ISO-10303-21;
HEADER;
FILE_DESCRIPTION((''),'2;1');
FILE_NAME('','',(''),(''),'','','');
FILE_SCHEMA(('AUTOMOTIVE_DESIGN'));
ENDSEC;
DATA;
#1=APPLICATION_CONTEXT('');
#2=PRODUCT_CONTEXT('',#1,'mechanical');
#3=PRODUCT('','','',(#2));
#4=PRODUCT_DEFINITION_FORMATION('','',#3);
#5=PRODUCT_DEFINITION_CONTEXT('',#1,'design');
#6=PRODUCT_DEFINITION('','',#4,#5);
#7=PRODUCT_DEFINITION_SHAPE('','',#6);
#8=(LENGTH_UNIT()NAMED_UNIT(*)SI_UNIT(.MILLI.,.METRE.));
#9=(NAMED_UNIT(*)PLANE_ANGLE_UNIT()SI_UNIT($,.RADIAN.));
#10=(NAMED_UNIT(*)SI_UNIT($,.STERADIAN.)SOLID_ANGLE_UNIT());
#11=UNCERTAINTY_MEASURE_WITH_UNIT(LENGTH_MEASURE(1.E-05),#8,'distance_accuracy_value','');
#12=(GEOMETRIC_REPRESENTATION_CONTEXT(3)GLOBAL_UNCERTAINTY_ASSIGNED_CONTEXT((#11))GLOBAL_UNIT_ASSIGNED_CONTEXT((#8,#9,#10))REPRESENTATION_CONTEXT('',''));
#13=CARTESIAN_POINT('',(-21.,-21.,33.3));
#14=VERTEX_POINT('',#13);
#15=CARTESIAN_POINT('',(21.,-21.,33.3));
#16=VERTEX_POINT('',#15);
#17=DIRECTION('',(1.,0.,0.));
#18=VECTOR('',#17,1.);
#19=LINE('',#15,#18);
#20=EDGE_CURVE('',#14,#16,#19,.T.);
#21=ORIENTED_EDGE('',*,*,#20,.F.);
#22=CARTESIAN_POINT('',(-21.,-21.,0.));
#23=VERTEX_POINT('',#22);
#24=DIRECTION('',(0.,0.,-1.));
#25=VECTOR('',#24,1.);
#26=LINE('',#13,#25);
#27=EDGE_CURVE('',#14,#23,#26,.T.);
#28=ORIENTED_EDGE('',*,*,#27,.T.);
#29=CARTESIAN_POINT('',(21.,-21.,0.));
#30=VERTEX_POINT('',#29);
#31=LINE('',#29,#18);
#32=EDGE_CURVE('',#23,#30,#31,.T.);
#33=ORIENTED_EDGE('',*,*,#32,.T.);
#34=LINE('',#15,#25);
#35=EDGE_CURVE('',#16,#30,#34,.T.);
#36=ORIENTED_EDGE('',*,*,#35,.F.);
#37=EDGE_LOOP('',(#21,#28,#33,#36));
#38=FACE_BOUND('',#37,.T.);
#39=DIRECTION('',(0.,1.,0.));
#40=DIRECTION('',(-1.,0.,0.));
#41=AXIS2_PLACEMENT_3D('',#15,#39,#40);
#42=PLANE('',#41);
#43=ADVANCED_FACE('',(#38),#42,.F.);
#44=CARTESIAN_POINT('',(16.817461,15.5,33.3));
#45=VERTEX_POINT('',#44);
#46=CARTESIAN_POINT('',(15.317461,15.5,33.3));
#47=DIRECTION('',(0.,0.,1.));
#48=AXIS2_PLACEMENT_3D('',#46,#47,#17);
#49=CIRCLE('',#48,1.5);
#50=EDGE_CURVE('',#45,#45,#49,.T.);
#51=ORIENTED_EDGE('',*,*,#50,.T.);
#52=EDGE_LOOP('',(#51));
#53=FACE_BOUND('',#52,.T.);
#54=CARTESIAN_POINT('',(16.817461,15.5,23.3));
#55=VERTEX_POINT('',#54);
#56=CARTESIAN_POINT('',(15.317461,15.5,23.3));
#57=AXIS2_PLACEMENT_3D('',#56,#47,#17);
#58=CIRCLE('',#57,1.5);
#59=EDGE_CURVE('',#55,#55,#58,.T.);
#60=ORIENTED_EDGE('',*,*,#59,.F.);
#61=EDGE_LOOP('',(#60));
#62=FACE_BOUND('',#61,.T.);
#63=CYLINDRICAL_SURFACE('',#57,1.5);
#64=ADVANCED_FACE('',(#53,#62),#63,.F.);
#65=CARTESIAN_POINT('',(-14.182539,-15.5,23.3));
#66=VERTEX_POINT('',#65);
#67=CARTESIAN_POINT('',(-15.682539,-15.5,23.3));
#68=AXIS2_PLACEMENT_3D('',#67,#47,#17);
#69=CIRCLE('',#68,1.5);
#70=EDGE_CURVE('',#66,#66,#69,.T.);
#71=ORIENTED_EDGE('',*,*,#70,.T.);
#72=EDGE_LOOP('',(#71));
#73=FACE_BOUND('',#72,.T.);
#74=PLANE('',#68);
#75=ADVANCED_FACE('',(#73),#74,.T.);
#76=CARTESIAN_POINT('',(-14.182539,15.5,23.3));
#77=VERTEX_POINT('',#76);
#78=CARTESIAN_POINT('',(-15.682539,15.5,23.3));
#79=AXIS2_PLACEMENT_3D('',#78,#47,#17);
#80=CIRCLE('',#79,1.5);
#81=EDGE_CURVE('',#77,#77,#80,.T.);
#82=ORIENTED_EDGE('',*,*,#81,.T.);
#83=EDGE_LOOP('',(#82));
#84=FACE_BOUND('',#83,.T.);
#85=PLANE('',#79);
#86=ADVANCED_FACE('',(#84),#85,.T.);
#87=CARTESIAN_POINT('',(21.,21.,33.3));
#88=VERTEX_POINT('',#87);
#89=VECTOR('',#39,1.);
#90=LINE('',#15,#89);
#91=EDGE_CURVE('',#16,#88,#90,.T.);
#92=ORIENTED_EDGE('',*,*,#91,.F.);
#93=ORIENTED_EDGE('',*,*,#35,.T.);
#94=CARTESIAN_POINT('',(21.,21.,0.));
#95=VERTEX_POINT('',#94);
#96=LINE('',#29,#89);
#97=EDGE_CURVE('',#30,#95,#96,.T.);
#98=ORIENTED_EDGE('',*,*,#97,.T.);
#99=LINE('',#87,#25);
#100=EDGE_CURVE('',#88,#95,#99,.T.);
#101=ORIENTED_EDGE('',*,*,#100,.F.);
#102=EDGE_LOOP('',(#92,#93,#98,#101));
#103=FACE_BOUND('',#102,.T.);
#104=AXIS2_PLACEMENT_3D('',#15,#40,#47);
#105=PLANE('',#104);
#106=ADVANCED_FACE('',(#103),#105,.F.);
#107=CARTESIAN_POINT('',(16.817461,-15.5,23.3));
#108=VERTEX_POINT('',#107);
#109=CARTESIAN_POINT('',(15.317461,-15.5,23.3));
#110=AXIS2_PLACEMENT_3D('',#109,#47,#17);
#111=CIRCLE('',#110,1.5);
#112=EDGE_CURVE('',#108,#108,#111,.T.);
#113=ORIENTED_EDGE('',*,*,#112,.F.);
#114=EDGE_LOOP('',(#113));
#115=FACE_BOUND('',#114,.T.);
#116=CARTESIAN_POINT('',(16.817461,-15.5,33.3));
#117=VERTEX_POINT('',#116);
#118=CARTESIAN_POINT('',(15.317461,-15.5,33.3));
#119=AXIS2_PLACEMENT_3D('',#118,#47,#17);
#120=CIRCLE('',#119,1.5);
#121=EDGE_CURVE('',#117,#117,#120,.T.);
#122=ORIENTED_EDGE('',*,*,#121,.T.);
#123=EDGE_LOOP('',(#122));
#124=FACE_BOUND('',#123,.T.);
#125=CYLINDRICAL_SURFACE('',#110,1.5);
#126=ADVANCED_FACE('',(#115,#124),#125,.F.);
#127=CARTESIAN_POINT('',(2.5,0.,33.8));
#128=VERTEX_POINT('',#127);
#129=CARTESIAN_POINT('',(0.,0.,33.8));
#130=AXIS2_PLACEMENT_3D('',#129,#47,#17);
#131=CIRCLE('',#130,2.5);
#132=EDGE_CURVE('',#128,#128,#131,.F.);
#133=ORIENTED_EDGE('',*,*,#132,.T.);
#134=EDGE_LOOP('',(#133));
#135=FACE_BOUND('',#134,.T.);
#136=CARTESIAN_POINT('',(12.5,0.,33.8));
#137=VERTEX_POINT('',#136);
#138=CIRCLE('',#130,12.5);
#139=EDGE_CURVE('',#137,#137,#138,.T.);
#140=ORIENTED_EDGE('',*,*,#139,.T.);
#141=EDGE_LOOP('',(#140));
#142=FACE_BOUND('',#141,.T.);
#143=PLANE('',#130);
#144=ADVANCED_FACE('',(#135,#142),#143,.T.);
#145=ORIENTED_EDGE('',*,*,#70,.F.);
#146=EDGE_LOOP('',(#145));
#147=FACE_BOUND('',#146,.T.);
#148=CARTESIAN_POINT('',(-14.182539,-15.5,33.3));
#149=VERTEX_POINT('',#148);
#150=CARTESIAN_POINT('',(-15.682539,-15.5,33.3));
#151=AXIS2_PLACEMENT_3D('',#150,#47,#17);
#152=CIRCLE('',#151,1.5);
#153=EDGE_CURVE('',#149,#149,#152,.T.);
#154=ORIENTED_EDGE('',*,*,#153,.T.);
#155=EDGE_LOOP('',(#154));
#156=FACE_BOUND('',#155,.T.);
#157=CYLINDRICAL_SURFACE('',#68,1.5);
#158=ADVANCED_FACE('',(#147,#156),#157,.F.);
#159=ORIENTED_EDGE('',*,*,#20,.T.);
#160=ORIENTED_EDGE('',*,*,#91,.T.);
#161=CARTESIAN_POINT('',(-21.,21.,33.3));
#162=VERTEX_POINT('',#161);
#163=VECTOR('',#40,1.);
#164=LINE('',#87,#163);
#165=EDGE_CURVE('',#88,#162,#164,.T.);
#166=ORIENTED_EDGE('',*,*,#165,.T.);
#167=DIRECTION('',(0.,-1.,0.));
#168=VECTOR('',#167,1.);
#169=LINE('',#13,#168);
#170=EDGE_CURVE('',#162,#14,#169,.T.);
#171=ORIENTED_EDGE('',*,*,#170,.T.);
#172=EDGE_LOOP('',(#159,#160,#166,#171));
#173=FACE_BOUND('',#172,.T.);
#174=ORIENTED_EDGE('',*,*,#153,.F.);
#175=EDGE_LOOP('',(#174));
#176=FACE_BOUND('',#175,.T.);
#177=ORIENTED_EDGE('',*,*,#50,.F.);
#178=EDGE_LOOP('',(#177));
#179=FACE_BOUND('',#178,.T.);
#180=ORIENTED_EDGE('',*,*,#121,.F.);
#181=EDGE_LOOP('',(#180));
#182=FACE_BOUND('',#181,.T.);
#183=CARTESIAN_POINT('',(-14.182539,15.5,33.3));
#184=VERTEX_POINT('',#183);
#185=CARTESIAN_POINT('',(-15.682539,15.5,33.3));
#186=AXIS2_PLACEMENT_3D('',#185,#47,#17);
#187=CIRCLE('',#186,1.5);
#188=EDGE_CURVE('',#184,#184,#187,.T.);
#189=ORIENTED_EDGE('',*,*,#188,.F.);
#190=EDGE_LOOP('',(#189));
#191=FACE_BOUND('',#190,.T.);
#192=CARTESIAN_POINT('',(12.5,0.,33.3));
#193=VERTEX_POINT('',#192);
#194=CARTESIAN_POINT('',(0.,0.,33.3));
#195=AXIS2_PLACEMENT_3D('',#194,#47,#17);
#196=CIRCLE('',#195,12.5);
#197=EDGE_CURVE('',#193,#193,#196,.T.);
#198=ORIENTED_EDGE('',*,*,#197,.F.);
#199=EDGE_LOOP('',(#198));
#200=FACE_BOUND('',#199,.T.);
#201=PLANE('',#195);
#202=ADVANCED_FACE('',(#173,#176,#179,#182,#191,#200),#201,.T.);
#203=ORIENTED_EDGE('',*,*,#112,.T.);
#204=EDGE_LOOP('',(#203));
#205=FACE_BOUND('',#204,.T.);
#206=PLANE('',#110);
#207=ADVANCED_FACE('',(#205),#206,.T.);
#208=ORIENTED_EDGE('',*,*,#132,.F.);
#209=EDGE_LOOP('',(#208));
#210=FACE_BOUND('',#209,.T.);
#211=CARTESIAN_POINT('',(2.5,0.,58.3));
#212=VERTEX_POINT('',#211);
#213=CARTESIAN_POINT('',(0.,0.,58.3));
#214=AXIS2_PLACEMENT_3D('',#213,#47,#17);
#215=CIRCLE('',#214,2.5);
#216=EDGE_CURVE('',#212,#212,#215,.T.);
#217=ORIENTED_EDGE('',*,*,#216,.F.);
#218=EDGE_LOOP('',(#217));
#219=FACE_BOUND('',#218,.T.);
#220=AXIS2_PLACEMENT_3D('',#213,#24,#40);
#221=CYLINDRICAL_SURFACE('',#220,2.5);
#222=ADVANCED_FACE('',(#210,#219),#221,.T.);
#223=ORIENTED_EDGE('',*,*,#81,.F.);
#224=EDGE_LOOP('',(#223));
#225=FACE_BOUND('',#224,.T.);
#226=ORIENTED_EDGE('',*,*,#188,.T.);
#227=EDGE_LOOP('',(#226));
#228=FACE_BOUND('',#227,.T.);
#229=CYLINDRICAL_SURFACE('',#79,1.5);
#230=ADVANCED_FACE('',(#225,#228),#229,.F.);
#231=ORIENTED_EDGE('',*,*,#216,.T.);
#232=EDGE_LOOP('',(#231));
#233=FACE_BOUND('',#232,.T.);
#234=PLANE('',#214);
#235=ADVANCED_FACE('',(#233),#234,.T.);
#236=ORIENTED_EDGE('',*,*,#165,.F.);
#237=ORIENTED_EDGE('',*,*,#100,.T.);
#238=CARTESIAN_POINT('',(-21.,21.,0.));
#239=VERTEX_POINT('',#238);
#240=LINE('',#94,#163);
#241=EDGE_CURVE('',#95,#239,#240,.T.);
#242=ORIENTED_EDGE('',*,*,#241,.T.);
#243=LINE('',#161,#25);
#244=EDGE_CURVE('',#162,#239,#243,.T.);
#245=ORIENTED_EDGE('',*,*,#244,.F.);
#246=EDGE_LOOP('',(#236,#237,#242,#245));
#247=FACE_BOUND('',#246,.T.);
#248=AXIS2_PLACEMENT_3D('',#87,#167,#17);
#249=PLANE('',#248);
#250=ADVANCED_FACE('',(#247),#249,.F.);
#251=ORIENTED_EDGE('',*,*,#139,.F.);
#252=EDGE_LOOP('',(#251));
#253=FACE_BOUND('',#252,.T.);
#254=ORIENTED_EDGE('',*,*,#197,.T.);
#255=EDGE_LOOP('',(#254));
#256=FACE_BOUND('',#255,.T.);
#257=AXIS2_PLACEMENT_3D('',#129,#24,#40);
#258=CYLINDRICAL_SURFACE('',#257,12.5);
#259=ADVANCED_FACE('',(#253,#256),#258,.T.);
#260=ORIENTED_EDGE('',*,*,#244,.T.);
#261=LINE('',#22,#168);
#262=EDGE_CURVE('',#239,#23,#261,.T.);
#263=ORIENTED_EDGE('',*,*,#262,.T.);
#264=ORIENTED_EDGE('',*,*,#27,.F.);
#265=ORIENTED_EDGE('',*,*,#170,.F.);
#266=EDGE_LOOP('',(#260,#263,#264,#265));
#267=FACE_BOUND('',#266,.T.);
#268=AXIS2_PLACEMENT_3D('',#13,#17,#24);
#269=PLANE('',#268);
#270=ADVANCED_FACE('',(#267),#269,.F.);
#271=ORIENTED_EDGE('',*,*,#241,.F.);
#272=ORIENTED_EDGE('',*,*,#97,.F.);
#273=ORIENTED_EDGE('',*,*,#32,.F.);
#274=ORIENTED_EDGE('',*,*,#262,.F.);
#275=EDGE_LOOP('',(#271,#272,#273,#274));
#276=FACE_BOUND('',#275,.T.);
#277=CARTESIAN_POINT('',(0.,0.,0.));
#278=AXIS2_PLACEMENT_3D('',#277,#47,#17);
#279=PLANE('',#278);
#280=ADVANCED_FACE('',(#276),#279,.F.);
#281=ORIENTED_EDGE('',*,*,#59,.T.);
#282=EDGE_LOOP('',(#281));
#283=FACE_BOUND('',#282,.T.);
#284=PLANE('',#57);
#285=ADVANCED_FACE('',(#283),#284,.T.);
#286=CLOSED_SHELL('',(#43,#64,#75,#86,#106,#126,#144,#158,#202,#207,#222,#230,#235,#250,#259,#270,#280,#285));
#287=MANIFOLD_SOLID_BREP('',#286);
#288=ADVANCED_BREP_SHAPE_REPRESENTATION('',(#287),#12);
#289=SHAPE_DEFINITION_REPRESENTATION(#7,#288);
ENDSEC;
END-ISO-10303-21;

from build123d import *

# Parameters (mm, degrees)
SKETCH_1_W          = 42
SKETCH_1_H          = 42
EXTRUDE_1_DEPTH     = 33.3
SKETCH_2_R          = 12.5
EXTRUDE_2_DEPTH     = 0.5
SKETCH_3_R          = 1.5
CUT_EXTRUDE_1_DEPTH = 10
SKETCH_5_R          = 2.5
EXTRUDE_3_DEPTH     = 25


with BuildPart() as part:
    # ｽｹｯﾁ1 → ﾎﾞｽ - 押し出し1 (new body)
    with BuildSketch(Plane.XY):
        Rectangle(SKETCH_1_W, SKETCH_1_H)
    extrude(amount=EXTRUDE_1_DEPTH)

    # ｽｹｯﾁ2 → ﾎﾞｽ - 押し出し2 (add)
    with BuildSketch(Plane.XY.offset(33.3)):
        Circle(SKETCH_2_R)
    extrude(amount=EXTRUDE_2_DEPTH)

    # ｽｹｯﾁ3 → ｶｯﾄ - 押し出し1 (cut)
    with BuildSketch(Plane.XY.offset(33.3)):
        with Locations((-15.682538541, 15.5)):
            Circle(SKETCH_3_R)
        with Locations((-15.682538541, -15.5)):
            Circle(SKETCH_3_R)
        with Locations((15.317461459, -15.5)):
            Circle(SKETCH_3_R)
        with Locations((15.317461459, 15.5)):
            Circle(SKETCH_3_R)
    extrude(amount=-CUT_EXTRUDE_1_DEPTH, mode=Mode.SUBTRACT)

    # ｽｹｯﾁ5 → ﾎﾞｽ - 押し出し3 (add)
    with BuildSketch(Plane.XY.offset(33.3)):
        Circle(SKETCH_5_R)
    extrude(amount=EXTRUDE_3_DEPTH)


solid = part.part
